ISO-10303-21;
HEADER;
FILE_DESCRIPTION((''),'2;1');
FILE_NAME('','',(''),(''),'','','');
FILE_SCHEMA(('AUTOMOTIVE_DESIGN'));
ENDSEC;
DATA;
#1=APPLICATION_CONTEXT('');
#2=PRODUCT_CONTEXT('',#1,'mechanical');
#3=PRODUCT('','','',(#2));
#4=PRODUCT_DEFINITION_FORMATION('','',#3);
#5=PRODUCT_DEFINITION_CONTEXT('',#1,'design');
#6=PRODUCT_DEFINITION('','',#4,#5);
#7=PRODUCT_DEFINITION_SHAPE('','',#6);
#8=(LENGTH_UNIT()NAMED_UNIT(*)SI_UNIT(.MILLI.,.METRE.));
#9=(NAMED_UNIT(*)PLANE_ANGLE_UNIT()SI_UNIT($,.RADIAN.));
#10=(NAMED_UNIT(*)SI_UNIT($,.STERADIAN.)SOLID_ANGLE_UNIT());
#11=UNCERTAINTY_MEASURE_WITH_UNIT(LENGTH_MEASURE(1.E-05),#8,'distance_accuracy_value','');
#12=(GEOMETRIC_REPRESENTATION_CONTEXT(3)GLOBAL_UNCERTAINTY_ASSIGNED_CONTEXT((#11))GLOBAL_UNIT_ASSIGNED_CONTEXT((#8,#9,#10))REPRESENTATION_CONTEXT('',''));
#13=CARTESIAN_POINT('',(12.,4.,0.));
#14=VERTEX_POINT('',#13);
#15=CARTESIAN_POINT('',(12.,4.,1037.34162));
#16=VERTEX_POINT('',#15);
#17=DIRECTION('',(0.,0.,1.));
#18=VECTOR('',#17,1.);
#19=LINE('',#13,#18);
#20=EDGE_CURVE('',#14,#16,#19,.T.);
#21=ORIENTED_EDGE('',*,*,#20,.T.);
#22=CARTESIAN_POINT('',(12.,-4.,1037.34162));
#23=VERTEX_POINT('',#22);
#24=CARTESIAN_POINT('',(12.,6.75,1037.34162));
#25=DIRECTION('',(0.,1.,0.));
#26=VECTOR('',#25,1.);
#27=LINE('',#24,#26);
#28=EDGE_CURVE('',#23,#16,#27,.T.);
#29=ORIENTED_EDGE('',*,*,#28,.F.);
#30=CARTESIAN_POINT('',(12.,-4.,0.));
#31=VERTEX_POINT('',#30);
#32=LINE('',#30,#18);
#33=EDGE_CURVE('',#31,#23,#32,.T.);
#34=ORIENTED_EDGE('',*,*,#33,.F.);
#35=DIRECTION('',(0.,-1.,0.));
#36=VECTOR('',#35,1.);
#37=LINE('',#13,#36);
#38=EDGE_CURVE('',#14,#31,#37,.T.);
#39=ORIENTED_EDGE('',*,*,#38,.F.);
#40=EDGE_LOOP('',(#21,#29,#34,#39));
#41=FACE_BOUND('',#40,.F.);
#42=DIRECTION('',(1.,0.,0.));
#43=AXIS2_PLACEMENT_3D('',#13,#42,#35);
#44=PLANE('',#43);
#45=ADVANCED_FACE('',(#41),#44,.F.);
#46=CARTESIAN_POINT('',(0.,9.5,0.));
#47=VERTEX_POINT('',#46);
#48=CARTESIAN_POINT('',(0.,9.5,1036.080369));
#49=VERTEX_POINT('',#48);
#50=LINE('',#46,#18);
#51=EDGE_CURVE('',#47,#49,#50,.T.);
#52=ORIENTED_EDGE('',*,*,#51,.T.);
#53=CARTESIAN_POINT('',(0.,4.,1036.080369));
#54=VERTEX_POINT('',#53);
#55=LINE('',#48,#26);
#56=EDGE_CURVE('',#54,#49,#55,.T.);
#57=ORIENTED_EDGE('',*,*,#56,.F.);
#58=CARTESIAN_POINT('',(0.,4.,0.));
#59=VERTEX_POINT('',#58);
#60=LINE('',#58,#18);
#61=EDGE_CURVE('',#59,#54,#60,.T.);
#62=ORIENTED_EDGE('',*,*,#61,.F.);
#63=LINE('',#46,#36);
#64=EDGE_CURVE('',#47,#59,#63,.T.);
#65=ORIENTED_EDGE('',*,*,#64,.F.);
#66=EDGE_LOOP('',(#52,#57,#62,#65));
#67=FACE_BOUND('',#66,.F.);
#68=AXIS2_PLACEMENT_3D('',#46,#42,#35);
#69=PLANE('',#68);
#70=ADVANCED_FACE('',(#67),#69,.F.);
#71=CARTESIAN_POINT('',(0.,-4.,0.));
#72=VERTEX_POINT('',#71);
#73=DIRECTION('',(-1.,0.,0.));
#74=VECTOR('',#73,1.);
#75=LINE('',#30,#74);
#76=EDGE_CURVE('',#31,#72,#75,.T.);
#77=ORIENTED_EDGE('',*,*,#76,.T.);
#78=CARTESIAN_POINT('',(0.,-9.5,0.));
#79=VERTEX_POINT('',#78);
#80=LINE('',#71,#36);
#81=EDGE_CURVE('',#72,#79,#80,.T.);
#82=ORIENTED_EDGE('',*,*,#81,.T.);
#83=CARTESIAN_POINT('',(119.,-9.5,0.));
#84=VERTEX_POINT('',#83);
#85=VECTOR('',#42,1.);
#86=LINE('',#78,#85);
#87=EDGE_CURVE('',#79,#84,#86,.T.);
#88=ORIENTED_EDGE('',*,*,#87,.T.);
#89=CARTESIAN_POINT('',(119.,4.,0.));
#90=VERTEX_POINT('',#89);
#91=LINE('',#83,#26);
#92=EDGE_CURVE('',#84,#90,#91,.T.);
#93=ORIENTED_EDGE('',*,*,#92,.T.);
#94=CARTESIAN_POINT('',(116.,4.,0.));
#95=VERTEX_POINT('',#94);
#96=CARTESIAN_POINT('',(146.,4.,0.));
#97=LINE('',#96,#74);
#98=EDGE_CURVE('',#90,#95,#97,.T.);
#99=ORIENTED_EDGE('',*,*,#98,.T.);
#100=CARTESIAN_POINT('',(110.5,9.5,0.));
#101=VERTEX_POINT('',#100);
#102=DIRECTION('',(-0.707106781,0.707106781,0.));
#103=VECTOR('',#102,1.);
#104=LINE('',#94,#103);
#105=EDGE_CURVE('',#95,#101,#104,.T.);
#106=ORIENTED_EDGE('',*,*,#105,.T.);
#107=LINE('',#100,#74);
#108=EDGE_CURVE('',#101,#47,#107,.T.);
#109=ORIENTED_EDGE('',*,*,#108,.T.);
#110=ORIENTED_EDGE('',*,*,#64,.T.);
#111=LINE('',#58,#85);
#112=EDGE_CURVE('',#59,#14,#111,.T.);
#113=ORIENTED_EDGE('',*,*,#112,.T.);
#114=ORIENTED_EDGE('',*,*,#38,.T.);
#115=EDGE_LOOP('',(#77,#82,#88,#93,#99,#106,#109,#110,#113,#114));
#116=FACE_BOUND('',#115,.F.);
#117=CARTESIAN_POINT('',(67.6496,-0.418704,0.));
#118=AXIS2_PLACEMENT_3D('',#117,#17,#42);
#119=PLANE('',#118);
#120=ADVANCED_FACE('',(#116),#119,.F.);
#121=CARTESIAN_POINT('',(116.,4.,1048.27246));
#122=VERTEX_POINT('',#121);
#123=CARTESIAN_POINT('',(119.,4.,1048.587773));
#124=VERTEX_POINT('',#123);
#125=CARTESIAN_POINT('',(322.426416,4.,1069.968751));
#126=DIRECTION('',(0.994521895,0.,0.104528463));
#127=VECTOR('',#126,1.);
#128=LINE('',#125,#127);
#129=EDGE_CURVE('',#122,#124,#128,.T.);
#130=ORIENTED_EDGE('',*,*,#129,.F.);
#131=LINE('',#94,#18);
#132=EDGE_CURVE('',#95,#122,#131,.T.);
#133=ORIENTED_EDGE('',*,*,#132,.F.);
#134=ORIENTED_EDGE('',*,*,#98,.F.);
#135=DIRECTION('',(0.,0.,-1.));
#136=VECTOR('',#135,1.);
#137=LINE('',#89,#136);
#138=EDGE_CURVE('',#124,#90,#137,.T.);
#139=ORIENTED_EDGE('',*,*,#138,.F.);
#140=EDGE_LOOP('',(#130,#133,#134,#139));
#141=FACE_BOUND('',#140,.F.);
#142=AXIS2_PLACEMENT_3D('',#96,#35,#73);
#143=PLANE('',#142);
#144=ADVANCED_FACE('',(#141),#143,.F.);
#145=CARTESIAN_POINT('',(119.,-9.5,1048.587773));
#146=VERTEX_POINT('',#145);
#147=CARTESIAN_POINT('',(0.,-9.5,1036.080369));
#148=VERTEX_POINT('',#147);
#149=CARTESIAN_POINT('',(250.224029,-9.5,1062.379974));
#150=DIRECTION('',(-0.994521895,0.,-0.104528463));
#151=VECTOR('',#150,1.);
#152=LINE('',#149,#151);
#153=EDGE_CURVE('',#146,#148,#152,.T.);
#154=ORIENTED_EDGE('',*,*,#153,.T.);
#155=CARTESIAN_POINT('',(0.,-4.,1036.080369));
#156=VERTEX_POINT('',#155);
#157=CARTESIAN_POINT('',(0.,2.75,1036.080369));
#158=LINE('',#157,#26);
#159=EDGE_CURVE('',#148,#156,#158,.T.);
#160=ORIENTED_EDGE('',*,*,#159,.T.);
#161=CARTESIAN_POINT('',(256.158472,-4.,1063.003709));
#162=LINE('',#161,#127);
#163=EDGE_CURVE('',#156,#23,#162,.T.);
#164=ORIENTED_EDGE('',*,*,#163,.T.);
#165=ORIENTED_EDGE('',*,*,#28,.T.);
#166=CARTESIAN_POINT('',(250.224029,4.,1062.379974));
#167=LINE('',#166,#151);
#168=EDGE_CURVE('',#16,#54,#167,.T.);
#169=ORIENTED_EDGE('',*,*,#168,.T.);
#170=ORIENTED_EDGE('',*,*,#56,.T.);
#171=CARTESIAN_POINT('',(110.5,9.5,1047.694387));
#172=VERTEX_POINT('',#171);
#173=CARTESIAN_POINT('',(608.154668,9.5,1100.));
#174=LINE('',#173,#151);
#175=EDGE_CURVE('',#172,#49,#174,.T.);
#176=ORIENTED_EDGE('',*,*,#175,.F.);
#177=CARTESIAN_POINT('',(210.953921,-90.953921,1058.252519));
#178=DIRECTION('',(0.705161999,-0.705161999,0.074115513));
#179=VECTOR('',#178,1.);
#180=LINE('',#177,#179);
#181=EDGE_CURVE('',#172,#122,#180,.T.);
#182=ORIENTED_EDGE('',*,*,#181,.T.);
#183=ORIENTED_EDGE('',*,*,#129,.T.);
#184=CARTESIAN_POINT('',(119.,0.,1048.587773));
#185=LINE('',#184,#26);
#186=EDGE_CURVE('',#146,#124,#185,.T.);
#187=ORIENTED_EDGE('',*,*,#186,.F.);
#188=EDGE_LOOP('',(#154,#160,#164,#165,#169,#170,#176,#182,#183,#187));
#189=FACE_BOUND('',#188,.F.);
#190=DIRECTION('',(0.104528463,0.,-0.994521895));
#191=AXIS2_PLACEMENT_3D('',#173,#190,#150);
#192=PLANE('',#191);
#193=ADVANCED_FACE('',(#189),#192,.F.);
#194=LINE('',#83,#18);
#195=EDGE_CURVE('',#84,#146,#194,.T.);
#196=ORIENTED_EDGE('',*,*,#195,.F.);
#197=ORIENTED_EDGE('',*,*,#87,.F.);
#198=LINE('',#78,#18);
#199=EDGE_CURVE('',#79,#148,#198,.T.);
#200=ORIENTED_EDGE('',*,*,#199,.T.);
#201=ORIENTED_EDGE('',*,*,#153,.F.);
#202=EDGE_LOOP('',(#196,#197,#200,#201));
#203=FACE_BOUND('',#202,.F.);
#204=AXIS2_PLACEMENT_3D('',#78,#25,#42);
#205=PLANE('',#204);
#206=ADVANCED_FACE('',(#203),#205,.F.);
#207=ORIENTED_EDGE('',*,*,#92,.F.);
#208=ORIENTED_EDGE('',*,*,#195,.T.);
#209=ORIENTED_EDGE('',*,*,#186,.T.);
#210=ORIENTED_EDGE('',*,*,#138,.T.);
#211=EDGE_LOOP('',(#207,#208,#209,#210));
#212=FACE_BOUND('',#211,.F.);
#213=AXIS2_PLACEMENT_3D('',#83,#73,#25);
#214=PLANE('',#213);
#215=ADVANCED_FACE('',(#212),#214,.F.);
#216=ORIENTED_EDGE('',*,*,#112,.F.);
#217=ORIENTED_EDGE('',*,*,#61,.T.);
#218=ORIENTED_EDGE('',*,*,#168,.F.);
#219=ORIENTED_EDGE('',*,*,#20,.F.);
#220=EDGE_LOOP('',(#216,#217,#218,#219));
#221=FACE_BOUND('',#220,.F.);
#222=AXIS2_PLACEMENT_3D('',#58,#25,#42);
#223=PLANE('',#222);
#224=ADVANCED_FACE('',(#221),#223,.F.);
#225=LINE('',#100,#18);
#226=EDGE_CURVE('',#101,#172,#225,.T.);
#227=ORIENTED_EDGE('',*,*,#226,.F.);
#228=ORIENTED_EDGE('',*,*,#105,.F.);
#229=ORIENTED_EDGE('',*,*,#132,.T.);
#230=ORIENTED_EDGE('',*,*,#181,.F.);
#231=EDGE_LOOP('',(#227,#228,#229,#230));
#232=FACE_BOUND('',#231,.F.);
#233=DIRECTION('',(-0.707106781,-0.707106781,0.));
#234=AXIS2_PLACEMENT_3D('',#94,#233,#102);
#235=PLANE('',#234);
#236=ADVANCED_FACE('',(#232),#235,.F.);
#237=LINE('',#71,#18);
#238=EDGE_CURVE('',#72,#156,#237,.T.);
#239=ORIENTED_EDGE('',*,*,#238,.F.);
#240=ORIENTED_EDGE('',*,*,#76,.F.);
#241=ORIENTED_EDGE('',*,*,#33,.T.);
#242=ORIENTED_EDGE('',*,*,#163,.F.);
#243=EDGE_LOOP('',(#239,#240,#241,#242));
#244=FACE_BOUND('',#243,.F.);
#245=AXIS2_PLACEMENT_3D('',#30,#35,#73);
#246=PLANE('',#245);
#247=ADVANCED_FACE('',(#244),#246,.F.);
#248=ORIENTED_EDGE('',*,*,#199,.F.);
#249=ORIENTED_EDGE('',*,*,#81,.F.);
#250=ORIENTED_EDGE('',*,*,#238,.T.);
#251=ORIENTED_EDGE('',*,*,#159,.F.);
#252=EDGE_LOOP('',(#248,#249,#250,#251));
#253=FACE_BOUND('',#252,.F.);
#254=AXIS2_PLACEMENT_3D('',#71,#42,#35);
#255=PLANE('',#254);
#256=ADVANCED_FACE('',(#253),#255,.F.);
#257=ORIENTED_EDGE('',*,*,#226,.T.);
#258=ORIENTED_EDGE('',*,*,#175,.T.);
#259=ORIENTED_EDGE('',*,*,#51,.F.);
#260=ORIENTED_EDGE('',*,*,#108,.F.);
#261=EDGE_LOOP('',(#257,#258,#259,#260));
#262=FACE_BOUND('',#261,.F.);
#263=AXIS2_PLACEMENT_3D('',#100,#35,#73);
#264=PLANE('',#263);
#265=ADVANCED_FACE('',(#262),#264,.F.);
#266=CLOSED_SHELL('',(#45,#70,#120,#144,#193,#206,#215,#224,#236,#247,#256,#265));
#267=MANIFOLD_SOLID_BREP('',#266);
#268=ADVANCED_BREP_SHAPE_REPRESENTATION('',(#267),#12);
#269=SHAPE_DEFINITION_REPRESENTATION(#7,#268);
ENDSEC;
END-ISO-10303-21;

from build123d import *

# Parameters (mm, degrees)
F1_DEPTH = 1100
F3_DEPTH = 19.001
F4_W     = 27
F4_H     = 5.5
F4_W_2   = 10
F5_DEPTH = 1051.4265870314


with BuildPart() as f1:
    # F0 (on Top) → F1 (new body)
    with BuildSketch(Plane.XY):
        Polygon((0, -4), (0, -9.5), (136, -9.5), (136, -4), (146, -4), (146, 4), (116, 4), (110.5, 9.5), (0, 9.5), (0, 4), (12, 4), (12, -4), align=None)
    extrude(amount=F1_DEPTH)

    # F2 (on face) → F3 (cut, through all)
    with BuildSketch(Plane(origin=(0, 9.5, 0), x_dir=(-1, 0, 0), z_dir=(0, 1, 0))):
        Polygon((-110.5, 1100), (-608.1546681334, 1100), (-110.5, 1047.6943866794), align=None)
        Polygon((0, 1100), (0, 1036.0803686826), (819, 950), (819, 1100), align=None)
        Polygon((-110.5, 1100), (-110.5, 1047.6943866794), (0, 1036.0803686826), (0, 1100), align=None)
    extrude(amount=-F3_DEPTH, mode=Mode.SUBTRACT)

    # F4 (on face) → F5 (cut, through all)
    with BuildSketch(Plane(origin=(0, 0, 0), x_dir=(1, 0, 0), z_dir=(0, 0, -1))):
        with Locations((132.5, -6.75)):
            Rectangle(F4_W, F4_H)
        Polygon((136, 9.5), (119, 9.5), (119, -4), (146, -4), (146, 4), (136, 4), align=None)
        with Locations((141, 6.75)):
            Rectangle(F4_W_2, F4_H)
    extrude(amount=-F5_DEPTH, mode=Mode.SUBTRACT)


solid = f1.part
